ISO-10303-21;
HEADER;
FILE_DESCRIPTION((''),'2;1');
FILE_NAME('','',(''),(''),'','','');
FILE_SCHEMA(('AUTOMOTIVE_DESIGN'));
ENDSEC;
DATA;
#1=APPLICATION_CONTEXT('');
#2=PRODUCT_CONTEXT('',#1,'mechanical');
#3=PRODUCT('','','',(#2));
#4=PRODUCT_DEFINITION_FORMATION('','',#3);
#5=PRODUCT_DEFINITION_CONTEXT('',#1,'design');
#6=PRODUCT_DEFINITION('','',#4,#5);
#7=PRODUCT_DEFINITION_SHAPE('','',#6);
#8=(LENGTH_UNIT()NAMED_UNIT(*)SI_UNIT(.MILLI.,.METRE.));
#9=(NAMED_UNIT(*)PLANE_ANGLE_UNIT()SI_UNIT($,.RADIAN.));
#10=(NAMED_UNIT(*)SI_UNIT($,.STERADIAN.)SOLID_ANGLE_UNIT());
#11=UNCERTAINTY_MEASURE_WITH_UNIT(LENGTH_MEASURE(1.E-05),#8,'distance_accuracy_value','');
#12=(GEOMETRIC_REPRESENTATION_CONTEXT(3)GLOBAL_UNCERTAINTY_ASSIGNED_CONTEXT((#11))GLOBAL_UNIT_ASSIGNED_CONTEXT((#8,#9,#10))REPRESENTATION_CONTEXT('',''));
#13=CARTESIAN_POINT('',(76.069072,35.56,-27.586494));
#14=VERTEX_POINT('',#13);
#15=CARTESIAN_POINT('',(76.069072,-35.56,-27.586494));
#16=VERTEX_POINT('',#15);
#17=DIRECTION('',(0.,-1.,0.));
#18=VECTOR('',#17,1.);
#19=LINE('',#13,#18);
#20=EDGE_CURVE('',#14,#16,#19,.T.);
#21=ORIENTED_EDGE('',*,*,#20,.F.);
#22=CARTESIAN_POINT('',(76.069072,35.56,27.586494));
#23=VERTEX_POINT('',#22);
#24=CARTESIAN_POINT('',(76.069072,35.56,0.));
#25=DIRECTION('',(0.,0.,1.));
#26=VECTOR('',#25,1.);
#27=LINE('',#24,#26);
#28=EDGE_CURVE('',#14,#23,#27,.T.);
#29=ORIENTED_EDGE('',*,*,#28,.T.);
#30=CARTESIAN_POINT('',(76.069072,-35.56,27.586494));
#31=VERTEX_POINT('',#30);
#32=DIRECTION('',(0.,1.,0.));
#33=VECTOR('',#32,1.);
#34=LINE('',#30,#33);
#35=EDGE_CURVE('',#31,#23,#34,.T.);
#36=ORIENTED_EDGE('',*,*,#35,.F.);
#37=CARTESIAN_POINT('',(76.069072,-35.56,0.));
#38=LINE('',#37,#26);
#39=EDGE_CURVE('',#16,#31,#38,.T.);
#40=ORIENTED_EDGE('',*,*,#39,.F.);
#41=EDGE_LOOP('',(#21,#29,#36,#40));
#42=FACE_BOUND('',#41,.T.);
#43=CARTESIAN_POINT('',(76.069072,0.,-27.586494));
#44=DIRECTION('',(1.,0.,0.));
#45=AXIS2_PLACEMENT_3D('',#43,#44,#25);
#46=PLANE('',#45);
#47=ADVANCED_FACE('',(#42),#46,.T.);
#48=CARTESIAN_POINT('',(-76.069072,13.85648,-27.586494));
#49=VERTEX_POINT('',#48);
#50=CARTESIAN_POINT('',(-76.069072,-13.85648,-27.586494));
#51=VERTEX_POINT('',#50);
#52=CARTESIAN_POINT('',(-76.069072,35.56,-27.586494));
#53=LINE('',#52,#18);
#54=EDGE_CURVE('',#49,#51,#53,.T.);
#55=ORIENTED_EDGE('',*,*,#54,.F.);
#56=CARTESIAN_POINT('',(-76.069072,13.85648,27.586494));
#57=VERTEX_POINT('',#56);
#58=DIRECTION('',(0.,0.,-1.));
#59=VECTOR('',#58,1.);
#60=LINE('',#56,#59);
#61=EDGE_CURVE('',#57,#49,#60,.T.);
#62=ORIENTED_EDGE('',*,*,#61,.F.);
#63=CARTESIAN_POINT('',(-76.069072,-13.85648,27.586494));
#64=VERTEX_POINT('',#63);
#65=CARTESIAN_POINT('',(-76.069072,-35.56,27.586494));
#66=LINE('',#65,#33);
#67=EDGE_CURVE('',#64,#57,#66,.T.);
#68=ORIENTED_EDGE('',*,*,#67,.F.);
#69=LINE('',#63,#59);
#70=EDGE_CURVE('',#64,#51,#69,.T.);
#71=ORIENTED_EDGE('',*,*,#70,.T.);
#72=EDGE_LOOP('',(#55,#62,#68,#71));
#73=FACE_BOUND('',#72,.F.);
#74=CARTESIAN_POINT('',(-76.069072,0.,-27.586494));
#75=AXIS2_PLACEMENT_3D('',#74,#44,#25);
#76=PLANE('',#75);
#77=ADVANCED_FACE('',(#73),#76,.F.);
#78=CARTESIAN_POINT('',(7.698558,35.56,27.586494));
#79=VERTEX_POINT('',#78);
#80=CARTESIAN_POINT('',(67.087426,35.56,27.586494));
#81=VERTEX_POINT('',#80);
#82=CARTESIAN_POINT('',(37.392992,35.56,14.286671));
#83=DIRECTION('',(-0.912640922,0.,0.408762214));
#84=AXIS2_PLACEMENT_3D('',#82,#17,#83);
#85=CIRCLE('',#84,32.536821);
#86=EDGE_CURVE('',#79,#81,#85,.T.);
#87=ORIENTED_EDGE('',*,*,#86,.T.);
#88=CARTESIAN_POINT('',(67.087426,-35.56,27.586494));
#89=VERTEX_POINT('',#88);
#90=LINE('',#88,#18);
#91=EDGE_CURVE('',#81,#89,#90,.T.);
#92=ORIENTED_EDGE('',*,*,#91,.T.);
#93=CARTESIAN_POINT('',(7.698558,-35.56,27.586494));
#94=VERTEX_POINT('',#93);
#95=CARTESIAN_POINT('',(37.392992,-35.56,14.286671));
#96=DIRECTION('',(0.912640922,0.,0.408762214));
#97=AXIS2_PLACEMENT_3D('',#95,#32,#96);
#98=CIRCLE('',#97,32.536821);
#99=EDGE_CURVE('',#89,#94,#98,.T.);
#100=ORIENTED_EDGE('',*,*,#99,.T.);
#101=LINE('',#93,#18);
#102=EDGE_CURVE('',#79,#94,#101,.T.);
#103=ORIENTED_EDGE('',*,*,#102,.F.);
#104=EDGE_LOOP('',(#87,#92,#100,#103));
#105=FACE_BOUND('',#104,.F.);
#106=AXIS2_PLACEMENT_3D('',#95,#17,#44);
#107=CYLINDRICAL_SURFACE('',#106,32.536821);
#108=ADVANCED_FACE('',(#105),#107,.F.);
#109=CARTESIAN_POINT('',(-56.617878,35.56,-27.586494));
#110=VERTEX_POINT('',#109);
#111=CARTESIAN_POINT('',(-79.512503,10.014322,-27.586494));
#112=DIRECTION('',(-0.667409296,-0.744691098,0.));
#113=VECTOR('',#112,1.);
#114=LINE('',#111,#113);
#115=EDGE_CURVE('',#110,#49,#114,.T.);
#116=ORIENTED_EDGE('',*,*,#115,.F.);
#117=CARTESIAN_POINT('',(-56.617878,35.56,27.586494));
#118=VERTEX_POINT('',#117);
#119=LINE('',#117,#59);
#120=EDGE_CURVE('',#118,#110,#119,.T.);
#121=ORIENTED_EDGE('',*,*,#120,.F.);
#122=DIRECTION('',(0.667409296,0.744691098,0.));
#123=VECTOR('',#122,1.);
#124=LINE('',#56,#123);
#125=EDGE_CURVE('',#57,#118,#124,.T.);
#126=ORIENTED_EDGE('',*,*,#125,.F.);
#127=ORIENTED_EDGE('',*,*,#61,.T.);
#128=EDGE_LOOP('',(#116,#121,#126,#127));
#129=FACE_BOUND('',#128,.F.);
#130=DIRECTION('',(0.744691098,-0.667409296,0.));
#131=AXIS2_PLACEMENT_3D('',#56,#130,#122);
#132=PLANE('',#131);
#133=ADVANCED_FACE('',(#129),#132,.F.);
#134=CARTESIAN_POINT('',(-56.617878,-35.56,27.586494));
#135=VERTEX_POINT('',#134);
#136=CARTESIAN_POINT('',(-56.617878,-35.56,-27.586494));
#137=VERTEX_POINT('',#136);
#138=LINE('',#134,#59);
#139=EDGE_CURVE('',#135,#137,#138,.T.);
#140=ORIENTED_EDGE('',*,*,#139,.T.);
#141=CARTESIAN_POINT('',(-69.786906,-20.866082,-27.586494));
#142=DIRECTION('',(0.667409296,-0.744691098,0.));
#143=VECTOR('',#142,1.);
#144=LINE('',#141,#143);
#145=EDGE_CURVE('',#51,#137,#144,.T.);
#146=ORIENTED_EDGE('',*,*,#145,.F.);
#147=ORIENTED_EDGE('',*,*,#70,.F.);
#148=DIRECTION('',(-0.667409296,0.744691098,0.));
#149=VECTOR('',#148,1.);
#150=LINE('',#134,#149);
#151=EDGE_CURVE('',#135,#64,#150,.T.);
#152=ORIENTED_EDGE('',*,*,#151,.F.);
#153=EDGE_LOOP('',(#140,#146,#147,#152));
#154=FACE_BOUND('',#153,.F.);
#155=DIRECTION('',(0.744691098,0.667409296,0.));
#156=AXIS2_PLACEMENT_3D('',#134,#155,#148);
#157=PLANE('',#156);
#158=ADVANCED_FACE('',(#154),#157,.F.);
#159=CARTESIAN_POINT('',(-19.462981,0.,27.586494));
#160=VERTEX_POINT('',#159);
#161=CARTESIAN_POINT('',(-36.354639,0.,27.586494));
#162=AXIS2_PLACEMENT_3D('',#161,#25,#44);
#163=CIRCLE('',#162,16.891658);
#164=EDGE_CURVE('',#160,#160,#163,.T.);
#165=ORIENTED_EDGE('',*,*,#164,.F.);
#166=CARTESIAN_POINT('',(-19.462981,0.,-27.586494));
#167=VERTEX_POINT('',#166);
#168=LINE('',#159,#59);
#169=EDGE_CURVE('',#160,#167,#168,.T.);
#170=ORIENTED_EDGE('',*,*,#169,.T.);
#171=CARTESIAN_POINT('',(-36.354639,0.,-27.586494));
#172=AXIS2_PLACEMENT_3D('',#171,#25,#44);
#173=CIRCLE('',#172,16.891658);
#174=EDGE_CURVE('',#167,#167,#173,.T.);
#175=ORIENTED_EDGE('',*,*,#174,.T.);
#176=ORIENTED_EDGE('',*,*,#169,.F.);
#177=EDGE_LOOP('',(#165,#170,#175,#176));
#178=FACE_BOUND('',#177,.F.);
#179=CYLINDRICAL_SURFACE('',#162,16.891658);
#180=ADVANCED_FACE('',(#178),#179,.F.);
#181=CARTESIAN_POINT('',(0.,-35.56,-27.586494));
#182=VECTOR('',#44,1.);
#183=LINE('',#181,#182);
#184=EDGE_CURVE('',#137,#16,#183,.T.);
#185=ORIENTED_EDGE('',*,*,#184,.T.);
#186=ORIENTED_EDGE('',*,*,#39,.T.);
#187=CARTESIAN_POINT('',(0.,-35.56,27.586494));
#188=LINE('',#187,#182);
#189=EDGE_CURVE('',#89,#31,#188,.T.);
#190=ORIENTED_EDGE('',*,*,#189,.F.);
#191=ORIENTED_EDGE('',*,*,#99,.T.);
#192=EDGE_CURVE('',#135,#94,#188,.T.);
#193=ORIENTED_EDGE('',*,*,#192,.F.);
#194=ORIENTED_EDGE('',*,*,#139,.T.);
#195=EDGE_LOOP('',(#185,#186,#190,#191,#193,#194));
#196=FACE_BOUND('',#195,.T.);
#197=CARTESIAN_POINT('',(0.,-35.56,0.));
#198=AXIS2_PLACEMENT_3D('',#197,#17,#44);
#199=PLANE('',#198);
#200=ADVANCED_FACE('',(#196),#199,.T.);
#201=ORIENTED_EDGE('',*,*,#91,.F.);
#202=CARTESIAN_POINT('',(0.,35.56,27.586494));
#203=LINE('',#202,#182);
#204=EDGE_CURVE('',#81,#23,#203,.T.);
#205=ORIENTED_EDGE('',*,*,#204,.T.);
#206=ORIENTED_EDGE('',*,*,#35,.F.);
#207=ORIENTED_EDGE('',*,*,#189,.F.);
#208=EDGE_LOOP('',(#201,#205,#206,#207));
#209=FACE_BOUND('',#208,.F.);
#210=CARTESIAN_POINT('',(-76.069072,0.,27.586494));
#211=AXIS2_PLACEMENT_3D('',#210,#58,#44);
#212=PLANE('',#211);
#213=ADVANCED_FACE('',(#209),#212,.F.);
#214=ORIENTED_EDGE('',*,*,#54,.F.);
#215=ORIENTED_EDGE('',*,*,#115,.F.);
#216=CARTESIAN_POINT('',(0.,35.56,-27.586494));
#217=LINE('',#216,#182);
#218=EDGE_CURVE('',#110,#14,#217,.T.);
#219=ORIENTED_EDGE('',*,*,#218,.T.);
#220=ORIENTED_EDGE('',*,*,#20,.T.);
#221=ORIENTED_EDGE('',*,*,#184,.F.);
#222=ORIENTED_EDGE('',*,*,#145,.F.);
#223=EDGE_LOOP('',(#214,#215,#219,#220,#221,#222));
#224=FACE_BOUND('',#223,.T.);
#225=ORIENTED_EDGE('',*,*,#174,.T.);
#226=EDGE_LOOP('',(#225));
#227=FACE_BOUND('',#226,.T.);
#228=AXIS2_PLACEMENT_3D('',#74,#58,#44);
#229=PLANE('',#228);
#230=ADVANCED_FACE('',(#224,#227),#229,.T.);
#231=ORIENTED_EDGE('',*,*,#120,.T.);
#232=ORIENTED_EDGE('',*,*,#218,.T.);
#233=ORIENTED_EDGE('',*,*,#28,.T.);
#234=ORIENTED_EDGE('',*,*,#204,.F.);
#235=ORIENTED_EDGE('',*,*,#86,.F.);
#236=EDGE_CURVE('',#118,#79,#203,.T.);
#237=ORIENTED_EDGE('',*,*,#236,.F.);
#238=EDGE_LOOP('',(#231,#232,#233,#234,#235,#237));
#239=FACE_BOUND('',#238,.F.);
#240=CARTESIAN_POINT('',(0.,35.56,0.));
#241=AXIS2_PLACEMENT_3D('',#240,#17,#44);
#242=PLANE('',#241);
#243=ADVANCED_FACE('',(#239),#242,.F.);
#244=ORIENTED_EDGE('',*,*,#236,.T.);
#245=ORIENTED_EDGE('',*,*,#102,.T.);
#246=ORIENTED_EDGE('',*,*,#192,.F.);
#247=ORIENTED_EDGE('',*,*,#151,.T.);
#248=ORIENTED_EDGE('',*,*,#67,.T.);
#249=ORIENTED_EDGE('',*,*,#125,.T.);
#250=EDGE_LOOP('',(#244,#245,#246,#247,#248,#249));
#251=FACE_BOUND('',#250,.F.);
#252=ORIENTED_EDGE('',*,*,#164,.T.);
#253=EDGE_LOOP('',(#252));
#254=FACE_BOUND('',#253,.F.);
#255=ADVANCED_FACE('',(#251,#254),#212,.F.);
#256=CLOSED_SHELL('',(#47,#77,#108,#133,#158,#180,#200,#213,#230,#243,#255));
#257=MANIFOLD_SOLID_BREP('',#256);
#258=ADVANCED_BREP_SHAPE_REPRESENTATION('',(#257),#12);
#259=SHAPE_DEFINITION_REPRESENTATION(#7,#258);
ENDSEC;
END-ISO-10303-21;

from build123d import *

# Parameters (mm, degrees)
F0_W          = 152.138144
F0_H          = 55.172988
F1_DEPTH      = 35.56
F1_DEPTH_BACK = 35.56
F2_R          = 32.536821
F3_DEPTH      = 74.65833
F4_R          = 16.891658
F5_DEPTH      = 60.75289
F7_DEPTH      = 58.39537


with BuildPart() as f1:
    # F0 (on Front) → F1 (new body, two sides)
    with BuildSketch(Plane.XZ) as f1_sk:
        Rectangle(F0_W, F0_H)
    extrude(amount=F1_DEPTH)
    extrude(f1_sk.sketch, amount=-F1_DEPTH_BACK)

    # F2 (on face) → F3 (cut)
    with BuildSketch(Plane.XZ.offset(35.56)):
        with Locations((37.392992, 14.286671)):
            Circle(F2_R)
    extrude(amount=-F3_DEPTH, mode=Mode.SUBTRACT)

    # F4 (on face) → F5 (cut)
    with BuildSketch(Plane.XY.offset(27.586494)):
        with Locations((-36.354639, 0)):
            Circle(F4_R)
    extrude(amount=-F5_DEPTH, mode=Mode.SUBTRACT)

    # F6 (on face) → F7 (cut)
    with BuildSketch(Plane.XY.offset(27.586494)):
        Polygon((-76.069072, -13.85648), (-76.069072, -35.56), (-56.617878, -35.56), align=None)
        Polygon((-76.069072, 13.85648), (-56.617878, 35.56), (-76.069072, 35.56), align=None)
    extrude(amount=-F7_DEPTH, mode=Mode.SUBTRACT)


solid = f1.part
